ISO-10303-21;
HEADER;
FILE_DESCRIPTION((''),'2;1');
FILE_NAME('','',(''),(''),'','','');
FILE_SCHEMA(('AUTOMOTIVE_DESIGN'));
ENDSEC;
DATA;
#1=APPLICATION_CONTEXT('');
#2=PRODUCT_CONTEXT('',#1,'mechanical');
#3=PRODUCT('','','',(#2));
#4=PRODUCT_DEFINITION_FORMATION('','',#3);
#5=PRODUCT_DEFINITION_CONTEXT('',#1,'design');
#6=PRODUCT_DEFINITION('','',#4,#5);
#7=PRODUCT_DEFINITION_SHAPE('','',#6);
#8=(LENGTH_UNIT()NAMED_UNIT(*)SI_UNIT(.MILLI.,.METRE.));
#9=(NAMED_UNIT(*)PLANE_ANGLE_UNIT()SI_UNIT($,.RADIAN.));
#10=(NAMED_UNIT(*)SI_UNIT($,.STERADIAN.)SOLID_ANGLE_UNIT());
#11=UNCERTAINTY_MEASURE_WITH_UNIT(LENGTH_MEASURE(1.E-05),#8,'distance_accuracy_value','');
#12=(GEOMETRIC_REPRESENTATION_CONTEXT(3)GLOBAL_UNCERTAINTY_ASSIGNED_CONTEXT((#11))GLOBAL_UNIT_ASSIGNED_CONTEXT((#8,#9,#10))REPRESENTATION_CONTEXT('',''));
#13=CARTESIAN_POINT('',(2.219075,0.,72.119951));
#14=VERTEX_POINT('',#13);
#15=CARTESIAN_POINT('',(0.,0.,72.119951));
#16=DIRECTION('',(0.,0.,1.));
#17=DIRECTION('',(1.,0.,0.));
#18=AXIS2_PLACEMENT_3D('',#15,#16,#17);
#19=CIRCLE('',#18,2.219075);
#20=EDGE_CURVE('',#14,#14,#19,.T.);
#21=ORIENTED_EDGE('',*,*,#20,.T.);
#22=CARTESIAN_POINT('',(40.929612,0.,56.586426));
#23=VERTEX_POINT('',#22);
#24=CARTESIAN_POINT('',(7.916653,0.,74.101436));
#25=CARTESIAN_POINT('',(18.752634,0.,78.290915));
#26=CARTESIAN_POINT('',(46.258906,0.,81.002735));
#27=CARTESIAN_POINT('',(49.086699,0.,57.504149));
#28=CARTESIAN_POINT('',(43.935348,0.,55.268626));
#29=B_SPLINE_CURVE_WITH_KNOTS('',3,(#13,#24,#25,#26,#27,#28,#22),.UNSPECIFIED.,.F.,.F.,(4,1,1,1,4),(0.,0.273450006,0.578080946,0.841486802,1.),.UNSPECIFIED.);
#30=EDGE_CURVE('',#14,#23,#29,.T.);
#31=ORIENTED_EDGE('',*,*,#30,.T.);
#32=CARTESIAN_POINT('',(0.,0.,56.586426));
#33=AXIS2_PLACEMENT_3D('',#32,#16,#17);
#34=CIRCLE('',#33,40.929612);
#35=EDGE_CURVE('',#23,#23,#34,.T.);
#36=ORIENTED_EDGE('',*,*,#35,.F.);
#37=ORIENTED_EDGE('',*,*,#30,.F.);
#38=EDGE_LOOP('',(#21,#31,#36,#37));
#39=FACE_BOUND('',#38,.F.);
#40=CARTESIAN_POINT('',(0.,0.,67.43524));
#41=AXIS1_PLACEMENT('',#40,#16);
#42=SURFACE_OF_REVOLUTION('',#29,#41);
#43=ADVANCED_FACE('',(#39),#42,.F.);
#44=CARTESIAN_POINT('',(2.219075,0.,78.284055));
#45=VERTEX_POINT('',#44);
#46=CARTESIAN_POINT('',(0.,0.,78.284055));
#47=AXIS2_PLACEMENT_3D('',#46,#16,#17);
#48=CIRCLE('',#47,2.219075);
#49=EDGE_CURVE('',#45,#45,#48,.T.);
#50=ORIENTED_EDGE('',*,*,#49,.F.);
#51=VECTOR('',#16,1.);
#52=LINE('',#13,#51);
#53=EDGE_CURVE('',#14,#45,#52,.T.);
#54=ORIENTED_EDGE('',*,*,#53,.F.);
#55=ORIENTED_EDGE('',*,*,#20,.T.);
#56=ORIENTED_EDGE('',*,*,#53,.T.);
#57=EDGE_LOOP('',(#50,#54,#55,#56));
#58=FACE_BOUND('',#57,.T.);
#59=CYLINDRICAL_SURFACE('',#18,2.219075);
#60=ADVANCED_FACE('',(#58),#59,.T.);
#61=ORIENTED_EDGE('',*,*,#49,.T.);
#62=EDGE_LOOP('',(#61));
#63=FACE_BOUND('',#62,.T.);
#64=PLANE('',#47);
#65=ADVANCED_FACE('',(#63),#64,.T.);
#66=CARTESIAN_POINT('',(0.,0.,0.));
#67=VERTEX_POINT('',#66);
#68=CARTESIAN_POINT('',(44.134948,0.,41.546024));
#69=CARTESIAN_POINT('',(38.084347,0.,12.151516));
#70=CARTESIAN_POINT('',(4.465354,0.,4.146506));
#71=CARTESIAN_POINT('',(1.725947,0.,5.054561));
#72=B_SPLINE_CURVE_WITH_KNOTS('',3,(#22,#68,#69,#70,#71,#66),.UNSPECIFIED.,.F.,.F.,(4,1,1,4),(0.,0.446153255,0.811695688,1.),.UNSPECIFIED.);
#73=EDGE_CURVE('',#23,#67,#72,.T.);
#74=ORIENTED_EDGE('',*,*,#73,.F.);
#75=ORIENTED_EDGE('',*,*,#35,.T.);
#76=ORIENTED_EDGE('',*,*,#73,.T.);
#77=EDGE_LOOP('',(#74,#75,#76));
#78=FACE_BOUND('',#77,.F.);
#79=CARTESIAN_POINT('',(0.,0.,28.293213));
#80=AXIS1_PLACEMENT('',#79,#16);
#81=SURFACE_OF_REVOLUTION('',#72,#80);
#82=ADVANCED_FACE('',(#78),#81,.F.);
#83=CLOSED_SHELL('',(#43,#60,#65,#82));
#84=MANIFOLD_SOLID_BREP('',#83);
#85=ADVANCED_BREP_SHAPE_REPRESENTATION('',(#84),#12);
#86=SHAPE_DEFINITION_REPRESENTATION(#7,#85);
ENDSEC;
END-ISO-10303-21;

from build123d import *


with BuildPart() as f1:
    # F0 (on Front) → F1 (revolve)
    with BuildSketch(Plane.XZ):
        with BuildLine():
            Line((0, 56.5864257514), (0, 0))
            add(Edge.make_bspline(
                [(40.9296117723, 56.5864257514), (44.1349484026, 41.5460243821), (38.0843465882, 12.1515156518), (4.4653544678, 4.1465055013), (1.7259471351, 5.0545609556), (0, 0)],
                knots=[0, 0, 0, 0, 0.4461532548, 0.8116956883, 1, 1, 1, 1], degree=3))
            Line((40.9296117723, 56.5864257514), (0, 56.5864257514))
        make_face()
    revolve(axis=Axis((0, 0, 28.2932128757), (0, 0, 1)))

    # F2 (on Front) → F3 (revolve)
    with BuildSketch(Plane.XZ):
        with BuildLine():
            Line((0, 56.5864257514), (40.9296117723, 56.5864257514))
            add(Edge.make_bspline(
                [(2.2190746386, 72.1199512482), (7.9166531218, 74.1014357021), (18.752633588, 78.2909151065), (46.2589059195, 81.0027345301), (49.0866994828, 57.5041493157), (43.9353475548, 55.2686259913), (40.9296117723, 56.5864257514)],
                knots=[0, 0, 0, 0, 0.2734500056, 0.5780809462, 0.8414868019, 1, 1, 1, 1], degree=3))
            Line((2.2190746386, 72.1199512482), (2.2190746386, 78.2840549946))
            Line((2.2190746386, 78.2840549946), (0, 78.2840549946))
            Line((0, 78.2840549946), (0, 56.5864257514))
        make_face()
    revolve(axis=Axis((0, 0, 67.435240373), (0, 0, 1)))


solid = f1.part
